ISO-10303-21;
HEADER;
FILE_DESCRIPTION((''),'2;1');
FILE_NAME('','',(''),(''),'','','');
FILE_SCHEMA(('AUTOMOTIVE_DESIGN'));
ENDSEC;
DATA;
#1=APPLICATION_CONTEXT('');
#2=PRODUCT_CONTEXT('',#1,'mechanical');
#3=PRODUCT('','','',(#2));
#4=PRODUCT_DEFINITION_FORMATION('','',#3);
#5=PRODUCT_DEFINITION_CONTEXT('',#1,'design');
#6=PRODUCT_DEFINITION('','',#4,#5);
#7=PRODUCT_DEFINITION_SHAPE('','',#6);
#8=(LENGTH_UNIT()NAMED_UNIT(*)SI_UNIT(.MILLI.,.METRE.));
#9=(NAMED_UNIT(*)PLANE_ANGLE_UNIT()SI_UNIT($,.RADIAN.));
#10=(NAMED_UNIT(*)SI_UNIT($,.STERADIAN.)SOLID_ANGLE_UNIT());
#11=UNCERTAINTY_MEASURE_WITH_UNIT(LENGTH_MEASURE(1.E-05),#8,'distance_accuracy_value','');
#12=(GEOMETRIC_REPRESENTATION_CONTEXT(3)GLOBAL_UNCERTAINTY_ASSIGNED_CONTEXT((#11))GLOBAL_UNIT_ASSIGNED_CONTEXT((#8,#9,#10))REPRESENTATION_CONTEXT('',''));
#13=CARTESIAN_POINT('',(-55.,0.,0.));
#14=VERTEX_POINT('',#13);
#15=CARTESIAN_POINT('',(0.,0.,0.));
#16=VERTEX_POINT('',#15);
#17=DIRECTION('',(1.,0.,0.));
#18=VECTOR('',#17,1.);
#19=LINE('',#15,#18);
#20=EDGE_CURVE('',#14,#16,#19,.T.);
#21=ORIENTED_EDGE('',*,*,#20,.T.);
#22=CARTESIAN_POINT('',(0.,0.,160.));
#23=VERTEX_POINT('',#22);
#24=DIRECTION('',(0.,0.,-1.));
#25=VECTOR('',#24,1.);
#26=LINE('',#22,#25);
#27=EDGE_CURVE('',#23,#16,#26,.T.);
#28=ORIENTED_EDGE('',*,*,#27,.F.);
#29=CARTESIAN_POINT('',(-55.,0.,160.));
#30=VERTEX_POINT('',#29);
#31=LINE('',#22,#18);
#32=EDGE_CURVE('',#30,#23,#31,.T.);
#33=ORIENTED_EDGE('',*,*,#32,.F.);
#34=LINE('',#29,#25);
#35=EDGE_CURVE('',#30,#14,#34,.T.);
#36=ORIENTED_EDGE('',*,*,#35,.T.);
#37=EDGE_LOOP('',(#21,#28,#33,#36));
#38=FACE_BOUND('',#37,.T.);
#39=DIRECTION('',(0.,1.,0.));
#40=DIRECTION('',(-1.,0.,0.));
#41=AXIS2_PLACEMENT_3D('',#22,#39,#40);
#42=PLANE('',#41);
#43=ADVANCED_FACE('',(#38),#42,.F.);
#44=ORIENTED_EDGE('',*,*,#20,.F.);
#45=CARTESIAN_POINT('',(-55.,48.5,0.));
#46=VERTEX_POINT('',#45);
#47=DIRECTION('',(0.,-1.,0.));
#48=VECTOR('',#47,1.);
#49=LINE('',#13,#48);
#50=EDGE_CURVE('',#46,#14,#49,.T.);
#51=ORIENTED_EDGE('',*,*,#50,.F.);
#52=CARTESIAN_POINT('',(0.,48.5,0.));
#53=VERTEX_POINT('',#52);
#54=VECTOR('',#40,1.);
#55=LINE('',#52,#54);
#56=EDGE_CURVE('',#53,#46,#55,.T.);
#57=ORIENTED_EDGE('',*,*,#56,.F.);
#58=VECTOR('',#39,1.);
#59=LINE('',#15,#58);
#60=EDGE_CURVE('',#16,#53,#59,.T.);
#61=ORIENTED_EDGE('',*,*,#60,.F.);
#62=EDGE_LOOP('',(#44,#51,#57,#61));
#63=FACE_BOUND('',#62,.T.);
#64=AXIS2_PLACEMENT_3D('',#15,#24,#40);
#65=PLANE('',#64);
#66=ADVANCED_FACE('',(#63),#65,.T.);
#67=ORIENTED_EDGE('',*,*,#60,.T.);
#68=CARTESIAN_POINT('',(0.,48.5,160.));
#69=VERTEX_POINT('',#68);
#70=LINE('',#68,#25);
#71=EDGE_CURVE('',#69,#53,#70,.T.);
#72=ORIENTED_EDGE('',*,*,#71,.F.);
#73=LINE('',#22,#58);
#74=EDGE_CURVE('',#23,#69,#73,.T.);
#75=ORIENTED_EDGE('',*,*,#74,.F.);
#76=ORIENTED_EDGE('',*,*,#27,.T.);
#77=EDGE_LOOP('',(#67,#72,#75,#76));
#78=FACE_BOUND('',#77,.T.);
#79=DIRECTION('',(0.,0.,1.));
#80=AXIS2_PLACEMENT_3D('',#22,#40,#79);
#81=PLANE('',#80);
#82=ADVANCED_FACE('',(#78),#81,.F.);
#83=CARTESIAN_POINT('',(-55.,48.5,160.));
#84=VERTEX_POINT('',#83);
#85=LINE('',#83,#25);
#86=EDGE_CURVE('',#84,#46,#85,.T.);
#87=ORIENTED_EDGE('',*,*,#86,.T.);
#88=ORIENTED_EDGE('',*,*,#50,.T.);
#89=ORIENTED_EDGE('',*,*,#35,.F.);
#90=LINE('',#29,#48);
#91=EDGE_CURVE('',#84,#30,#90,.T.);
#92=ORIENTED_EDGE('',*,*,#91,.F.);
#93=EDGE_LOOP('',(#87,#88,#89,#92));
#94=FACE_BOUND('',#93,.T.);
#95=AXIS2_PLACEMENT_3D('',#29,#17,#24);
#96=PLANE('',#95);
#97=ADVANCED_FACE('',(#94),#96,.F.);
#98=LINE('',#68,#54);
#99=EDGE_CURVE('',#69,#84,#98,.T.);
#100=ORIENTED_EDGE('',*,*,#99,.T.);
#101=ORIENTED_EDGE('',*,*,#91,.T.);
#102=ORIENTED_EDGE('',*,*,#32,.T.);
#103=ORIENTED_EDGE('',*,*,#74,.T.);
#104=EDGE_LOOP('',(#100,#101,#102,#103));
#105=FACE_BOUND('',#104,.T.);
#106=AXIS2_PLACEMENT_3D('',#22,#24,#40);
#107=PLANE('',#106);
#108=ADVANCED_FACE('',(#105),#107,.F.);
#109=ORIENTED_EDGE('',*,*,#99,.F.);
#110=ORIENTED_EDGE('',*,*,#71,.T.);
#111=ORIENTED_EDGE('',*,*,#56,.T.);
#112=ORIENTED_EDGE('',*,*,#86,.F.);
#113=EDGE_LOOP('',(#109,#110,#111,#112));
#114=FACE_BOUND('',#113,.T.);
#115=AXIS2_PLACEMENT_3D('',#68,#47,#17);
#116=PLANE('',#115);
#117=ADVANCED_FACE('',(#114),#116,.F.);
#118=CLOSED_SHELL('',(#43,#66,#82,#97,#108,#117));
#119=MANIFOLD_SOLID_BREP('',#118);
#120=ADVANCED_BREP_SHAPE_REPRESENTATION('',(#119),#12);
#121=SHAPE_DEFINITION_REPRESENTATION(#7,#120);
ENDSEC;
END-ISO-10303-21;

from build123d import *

# Parameters (mm, degrees)
SKETCH_1_W      = 48.5
SKETCH_1_H      = 55
EXTRUDE_1_DEPTH = 160


with BuildPart() as part:
    # ｽｹｯﾁ1 → ﾎﾞｽ - 押し出し1 (new body)
    with BuildSketch(Plane(origin=(0, 0, 0), x_dir=(0, 1, 0), z_dir=(0, 0, 1))):
        with Locations((24.25, 27.5)):
            Rectangle(SKETCH_1_W, SKETCH_1_H)
    extrude(amount=EXTRUDE_1_DEPTH)


solid = part.part
